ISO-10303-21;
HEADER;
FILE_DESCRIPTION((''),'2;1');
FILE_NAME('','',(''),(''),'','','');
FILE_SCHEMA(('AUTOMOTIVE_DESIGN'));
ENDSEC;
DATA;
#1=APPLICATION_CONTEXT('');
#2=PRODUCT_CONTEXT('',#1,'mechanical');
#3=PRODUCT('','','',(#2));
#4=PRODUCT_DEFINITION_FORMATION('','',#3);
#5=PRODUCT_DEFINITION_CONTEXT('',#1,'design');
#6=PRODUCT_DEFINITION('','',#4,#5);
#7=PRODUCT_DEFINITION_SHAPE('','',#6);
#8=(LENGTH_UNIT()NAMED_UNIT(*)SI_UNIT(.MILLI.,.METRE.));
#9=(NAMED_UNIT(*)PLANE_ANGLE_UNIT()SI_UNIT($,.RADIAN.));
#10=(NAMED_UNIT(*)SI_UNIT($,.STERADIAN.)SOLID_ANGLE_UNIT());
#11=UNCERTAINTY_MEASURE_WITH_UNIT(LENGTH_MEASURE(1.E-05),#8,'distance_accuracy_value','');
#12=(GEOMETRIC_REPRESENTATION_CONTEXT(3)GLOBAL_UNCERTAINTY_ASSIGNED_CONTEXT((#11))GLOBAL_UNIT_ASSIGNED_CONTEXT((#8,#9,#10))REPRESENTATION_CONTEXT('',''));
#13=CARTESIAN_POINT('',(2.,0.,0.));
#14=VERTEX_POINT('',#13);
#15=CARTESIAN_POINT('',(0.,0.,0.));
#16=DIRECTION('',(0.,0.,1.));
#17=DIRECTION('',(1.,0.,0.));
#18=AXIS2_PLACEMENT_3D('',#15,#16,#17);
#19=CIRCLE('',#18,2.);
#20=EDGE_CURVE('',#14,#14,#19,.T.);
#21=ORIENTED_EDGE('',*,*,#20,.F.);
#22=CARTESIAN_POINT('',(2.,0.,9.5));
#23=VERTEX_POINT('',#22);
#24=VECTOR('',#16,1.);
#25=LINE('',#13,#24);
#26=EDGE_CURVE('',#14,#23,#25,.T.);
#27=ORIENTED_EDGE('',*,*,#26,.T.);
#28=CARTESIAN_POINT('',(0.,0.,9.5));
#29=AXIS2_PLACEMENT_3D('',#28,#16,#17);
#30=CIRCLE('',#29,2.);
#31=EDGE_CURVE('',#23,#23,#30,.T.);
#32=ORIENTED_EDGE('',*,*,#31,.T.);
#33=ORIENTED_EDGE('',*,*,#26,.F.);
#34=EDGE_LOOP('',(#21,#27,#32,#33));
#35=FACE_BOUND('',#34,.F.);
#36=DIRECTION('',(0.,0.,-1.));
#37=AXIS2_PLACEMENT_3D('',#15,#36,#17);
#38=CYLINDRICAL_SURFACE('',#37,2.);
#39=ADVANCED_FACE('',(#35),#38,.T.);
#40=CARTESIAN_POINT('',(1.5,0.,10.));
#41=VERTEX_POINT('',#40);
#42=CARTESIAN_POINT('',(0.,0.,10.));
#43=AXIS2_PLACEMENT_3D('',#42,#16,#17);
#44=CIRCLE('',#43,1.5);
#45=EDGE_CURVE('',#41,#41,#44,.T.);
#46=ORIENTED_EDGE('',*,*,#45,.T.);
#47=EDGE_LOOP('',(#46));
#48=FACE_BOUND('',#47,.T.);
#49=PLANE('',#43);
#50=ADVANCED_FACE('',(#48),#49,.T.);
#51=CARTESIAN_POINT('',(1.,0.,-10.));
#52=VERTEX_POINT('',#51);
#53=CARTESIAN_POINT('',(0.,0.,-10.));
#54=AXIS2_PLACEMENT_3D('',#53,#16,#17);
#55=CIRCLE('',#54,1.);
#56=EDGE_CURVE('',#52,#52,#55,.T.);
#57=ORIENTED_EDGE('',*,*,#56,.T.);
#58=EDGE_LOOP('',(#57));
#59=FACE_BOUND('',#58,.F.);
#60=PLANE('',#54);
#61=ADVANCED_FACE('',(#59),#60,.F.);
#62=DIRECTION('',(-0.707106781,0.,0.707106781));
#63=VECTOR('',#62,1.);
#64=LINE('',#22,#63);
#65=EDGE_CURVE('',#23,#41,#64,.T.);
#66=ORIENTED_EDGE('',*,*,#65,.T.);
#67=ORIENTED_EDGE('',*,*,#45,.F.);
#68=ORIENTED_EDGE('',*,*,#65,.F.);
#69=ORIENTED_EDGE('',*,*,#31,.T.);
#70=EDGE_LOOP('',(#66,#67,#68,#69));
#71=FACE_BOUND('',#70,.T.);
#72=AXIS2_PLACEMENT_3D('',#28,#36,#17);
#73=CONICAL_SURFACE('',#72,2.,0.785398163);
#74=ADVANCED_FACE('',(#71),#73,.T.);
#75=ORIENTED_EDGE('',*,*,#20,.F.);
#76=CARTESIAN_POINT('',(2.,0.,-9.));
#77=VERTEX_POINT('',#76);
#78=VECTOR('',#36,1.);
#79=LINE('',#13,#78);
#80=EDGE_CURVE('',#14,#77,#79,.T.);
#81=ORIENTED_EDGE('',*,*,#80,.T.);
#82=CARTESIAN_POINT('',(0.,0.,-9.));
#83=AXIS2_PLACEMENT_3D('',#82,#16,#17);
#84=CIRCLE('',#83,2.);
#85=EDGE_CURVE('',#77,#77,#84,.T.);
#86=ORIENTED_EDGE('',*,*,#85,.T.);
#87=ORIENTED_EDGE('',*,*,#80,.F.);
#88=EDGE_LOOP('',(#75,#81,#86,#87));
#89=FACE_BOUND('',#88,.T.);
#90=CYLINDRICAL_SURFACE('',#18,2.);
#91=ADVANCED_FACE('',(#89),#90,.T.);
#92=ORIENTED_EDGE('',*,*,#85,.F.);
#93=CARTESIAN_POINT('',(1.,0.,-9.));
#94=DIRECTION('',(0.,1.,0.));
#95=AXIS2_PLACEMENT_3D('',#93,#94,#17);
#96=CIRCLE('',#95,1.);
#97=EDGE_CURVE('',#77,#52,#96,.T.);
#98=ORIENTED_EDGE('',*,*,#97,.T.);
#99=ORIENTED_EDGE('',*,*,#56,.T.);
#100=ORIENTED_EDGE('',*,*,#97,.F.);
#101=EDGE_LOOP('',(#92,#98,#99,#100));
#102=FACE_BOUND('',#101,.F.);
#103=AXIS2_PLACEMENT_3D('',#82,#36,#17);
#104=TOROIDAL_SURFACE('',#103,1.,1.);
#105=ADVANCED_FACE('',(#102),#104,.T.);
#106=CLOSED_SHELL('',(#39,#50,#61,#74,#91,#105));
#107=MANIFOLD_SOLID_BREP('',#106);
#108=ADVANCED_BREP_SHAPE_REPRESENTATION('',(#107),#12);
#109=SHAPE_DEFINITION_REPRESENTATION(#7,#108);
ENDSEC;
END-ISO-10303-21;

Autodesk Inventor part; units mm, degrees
ref_plane "YZ Plane" through (0, 0, 0) normal (1, 0, 0) x (0, 1, 0)
ref_plane "XZ Plane" through (0, 0, 0) normal (0, 1, 0) x (-1, 0, 0)
ref_plane "XY Plane" through (0, 0, 0) normal (0, 0, 1) x (1, 0, 0)
sketch "Sketch1" plane through (0, 0, 0) normal (0, 0, 1) x (1, 0, 0)
  circle A0 centre (0, 0) radius 2
  dimension "d0" = 4
extrude "Extrusion1" add sketch "Sketch1" along normal mid plane 20
fillet "Fillet1" radius 1 1 edges at (-2, 0, -10)
chamfer "Chamfer1" distance 0.5 angle 45 1 edges at (-2, 0, 10)
properties part number "DOWEL,M4X20" material "Steel"
